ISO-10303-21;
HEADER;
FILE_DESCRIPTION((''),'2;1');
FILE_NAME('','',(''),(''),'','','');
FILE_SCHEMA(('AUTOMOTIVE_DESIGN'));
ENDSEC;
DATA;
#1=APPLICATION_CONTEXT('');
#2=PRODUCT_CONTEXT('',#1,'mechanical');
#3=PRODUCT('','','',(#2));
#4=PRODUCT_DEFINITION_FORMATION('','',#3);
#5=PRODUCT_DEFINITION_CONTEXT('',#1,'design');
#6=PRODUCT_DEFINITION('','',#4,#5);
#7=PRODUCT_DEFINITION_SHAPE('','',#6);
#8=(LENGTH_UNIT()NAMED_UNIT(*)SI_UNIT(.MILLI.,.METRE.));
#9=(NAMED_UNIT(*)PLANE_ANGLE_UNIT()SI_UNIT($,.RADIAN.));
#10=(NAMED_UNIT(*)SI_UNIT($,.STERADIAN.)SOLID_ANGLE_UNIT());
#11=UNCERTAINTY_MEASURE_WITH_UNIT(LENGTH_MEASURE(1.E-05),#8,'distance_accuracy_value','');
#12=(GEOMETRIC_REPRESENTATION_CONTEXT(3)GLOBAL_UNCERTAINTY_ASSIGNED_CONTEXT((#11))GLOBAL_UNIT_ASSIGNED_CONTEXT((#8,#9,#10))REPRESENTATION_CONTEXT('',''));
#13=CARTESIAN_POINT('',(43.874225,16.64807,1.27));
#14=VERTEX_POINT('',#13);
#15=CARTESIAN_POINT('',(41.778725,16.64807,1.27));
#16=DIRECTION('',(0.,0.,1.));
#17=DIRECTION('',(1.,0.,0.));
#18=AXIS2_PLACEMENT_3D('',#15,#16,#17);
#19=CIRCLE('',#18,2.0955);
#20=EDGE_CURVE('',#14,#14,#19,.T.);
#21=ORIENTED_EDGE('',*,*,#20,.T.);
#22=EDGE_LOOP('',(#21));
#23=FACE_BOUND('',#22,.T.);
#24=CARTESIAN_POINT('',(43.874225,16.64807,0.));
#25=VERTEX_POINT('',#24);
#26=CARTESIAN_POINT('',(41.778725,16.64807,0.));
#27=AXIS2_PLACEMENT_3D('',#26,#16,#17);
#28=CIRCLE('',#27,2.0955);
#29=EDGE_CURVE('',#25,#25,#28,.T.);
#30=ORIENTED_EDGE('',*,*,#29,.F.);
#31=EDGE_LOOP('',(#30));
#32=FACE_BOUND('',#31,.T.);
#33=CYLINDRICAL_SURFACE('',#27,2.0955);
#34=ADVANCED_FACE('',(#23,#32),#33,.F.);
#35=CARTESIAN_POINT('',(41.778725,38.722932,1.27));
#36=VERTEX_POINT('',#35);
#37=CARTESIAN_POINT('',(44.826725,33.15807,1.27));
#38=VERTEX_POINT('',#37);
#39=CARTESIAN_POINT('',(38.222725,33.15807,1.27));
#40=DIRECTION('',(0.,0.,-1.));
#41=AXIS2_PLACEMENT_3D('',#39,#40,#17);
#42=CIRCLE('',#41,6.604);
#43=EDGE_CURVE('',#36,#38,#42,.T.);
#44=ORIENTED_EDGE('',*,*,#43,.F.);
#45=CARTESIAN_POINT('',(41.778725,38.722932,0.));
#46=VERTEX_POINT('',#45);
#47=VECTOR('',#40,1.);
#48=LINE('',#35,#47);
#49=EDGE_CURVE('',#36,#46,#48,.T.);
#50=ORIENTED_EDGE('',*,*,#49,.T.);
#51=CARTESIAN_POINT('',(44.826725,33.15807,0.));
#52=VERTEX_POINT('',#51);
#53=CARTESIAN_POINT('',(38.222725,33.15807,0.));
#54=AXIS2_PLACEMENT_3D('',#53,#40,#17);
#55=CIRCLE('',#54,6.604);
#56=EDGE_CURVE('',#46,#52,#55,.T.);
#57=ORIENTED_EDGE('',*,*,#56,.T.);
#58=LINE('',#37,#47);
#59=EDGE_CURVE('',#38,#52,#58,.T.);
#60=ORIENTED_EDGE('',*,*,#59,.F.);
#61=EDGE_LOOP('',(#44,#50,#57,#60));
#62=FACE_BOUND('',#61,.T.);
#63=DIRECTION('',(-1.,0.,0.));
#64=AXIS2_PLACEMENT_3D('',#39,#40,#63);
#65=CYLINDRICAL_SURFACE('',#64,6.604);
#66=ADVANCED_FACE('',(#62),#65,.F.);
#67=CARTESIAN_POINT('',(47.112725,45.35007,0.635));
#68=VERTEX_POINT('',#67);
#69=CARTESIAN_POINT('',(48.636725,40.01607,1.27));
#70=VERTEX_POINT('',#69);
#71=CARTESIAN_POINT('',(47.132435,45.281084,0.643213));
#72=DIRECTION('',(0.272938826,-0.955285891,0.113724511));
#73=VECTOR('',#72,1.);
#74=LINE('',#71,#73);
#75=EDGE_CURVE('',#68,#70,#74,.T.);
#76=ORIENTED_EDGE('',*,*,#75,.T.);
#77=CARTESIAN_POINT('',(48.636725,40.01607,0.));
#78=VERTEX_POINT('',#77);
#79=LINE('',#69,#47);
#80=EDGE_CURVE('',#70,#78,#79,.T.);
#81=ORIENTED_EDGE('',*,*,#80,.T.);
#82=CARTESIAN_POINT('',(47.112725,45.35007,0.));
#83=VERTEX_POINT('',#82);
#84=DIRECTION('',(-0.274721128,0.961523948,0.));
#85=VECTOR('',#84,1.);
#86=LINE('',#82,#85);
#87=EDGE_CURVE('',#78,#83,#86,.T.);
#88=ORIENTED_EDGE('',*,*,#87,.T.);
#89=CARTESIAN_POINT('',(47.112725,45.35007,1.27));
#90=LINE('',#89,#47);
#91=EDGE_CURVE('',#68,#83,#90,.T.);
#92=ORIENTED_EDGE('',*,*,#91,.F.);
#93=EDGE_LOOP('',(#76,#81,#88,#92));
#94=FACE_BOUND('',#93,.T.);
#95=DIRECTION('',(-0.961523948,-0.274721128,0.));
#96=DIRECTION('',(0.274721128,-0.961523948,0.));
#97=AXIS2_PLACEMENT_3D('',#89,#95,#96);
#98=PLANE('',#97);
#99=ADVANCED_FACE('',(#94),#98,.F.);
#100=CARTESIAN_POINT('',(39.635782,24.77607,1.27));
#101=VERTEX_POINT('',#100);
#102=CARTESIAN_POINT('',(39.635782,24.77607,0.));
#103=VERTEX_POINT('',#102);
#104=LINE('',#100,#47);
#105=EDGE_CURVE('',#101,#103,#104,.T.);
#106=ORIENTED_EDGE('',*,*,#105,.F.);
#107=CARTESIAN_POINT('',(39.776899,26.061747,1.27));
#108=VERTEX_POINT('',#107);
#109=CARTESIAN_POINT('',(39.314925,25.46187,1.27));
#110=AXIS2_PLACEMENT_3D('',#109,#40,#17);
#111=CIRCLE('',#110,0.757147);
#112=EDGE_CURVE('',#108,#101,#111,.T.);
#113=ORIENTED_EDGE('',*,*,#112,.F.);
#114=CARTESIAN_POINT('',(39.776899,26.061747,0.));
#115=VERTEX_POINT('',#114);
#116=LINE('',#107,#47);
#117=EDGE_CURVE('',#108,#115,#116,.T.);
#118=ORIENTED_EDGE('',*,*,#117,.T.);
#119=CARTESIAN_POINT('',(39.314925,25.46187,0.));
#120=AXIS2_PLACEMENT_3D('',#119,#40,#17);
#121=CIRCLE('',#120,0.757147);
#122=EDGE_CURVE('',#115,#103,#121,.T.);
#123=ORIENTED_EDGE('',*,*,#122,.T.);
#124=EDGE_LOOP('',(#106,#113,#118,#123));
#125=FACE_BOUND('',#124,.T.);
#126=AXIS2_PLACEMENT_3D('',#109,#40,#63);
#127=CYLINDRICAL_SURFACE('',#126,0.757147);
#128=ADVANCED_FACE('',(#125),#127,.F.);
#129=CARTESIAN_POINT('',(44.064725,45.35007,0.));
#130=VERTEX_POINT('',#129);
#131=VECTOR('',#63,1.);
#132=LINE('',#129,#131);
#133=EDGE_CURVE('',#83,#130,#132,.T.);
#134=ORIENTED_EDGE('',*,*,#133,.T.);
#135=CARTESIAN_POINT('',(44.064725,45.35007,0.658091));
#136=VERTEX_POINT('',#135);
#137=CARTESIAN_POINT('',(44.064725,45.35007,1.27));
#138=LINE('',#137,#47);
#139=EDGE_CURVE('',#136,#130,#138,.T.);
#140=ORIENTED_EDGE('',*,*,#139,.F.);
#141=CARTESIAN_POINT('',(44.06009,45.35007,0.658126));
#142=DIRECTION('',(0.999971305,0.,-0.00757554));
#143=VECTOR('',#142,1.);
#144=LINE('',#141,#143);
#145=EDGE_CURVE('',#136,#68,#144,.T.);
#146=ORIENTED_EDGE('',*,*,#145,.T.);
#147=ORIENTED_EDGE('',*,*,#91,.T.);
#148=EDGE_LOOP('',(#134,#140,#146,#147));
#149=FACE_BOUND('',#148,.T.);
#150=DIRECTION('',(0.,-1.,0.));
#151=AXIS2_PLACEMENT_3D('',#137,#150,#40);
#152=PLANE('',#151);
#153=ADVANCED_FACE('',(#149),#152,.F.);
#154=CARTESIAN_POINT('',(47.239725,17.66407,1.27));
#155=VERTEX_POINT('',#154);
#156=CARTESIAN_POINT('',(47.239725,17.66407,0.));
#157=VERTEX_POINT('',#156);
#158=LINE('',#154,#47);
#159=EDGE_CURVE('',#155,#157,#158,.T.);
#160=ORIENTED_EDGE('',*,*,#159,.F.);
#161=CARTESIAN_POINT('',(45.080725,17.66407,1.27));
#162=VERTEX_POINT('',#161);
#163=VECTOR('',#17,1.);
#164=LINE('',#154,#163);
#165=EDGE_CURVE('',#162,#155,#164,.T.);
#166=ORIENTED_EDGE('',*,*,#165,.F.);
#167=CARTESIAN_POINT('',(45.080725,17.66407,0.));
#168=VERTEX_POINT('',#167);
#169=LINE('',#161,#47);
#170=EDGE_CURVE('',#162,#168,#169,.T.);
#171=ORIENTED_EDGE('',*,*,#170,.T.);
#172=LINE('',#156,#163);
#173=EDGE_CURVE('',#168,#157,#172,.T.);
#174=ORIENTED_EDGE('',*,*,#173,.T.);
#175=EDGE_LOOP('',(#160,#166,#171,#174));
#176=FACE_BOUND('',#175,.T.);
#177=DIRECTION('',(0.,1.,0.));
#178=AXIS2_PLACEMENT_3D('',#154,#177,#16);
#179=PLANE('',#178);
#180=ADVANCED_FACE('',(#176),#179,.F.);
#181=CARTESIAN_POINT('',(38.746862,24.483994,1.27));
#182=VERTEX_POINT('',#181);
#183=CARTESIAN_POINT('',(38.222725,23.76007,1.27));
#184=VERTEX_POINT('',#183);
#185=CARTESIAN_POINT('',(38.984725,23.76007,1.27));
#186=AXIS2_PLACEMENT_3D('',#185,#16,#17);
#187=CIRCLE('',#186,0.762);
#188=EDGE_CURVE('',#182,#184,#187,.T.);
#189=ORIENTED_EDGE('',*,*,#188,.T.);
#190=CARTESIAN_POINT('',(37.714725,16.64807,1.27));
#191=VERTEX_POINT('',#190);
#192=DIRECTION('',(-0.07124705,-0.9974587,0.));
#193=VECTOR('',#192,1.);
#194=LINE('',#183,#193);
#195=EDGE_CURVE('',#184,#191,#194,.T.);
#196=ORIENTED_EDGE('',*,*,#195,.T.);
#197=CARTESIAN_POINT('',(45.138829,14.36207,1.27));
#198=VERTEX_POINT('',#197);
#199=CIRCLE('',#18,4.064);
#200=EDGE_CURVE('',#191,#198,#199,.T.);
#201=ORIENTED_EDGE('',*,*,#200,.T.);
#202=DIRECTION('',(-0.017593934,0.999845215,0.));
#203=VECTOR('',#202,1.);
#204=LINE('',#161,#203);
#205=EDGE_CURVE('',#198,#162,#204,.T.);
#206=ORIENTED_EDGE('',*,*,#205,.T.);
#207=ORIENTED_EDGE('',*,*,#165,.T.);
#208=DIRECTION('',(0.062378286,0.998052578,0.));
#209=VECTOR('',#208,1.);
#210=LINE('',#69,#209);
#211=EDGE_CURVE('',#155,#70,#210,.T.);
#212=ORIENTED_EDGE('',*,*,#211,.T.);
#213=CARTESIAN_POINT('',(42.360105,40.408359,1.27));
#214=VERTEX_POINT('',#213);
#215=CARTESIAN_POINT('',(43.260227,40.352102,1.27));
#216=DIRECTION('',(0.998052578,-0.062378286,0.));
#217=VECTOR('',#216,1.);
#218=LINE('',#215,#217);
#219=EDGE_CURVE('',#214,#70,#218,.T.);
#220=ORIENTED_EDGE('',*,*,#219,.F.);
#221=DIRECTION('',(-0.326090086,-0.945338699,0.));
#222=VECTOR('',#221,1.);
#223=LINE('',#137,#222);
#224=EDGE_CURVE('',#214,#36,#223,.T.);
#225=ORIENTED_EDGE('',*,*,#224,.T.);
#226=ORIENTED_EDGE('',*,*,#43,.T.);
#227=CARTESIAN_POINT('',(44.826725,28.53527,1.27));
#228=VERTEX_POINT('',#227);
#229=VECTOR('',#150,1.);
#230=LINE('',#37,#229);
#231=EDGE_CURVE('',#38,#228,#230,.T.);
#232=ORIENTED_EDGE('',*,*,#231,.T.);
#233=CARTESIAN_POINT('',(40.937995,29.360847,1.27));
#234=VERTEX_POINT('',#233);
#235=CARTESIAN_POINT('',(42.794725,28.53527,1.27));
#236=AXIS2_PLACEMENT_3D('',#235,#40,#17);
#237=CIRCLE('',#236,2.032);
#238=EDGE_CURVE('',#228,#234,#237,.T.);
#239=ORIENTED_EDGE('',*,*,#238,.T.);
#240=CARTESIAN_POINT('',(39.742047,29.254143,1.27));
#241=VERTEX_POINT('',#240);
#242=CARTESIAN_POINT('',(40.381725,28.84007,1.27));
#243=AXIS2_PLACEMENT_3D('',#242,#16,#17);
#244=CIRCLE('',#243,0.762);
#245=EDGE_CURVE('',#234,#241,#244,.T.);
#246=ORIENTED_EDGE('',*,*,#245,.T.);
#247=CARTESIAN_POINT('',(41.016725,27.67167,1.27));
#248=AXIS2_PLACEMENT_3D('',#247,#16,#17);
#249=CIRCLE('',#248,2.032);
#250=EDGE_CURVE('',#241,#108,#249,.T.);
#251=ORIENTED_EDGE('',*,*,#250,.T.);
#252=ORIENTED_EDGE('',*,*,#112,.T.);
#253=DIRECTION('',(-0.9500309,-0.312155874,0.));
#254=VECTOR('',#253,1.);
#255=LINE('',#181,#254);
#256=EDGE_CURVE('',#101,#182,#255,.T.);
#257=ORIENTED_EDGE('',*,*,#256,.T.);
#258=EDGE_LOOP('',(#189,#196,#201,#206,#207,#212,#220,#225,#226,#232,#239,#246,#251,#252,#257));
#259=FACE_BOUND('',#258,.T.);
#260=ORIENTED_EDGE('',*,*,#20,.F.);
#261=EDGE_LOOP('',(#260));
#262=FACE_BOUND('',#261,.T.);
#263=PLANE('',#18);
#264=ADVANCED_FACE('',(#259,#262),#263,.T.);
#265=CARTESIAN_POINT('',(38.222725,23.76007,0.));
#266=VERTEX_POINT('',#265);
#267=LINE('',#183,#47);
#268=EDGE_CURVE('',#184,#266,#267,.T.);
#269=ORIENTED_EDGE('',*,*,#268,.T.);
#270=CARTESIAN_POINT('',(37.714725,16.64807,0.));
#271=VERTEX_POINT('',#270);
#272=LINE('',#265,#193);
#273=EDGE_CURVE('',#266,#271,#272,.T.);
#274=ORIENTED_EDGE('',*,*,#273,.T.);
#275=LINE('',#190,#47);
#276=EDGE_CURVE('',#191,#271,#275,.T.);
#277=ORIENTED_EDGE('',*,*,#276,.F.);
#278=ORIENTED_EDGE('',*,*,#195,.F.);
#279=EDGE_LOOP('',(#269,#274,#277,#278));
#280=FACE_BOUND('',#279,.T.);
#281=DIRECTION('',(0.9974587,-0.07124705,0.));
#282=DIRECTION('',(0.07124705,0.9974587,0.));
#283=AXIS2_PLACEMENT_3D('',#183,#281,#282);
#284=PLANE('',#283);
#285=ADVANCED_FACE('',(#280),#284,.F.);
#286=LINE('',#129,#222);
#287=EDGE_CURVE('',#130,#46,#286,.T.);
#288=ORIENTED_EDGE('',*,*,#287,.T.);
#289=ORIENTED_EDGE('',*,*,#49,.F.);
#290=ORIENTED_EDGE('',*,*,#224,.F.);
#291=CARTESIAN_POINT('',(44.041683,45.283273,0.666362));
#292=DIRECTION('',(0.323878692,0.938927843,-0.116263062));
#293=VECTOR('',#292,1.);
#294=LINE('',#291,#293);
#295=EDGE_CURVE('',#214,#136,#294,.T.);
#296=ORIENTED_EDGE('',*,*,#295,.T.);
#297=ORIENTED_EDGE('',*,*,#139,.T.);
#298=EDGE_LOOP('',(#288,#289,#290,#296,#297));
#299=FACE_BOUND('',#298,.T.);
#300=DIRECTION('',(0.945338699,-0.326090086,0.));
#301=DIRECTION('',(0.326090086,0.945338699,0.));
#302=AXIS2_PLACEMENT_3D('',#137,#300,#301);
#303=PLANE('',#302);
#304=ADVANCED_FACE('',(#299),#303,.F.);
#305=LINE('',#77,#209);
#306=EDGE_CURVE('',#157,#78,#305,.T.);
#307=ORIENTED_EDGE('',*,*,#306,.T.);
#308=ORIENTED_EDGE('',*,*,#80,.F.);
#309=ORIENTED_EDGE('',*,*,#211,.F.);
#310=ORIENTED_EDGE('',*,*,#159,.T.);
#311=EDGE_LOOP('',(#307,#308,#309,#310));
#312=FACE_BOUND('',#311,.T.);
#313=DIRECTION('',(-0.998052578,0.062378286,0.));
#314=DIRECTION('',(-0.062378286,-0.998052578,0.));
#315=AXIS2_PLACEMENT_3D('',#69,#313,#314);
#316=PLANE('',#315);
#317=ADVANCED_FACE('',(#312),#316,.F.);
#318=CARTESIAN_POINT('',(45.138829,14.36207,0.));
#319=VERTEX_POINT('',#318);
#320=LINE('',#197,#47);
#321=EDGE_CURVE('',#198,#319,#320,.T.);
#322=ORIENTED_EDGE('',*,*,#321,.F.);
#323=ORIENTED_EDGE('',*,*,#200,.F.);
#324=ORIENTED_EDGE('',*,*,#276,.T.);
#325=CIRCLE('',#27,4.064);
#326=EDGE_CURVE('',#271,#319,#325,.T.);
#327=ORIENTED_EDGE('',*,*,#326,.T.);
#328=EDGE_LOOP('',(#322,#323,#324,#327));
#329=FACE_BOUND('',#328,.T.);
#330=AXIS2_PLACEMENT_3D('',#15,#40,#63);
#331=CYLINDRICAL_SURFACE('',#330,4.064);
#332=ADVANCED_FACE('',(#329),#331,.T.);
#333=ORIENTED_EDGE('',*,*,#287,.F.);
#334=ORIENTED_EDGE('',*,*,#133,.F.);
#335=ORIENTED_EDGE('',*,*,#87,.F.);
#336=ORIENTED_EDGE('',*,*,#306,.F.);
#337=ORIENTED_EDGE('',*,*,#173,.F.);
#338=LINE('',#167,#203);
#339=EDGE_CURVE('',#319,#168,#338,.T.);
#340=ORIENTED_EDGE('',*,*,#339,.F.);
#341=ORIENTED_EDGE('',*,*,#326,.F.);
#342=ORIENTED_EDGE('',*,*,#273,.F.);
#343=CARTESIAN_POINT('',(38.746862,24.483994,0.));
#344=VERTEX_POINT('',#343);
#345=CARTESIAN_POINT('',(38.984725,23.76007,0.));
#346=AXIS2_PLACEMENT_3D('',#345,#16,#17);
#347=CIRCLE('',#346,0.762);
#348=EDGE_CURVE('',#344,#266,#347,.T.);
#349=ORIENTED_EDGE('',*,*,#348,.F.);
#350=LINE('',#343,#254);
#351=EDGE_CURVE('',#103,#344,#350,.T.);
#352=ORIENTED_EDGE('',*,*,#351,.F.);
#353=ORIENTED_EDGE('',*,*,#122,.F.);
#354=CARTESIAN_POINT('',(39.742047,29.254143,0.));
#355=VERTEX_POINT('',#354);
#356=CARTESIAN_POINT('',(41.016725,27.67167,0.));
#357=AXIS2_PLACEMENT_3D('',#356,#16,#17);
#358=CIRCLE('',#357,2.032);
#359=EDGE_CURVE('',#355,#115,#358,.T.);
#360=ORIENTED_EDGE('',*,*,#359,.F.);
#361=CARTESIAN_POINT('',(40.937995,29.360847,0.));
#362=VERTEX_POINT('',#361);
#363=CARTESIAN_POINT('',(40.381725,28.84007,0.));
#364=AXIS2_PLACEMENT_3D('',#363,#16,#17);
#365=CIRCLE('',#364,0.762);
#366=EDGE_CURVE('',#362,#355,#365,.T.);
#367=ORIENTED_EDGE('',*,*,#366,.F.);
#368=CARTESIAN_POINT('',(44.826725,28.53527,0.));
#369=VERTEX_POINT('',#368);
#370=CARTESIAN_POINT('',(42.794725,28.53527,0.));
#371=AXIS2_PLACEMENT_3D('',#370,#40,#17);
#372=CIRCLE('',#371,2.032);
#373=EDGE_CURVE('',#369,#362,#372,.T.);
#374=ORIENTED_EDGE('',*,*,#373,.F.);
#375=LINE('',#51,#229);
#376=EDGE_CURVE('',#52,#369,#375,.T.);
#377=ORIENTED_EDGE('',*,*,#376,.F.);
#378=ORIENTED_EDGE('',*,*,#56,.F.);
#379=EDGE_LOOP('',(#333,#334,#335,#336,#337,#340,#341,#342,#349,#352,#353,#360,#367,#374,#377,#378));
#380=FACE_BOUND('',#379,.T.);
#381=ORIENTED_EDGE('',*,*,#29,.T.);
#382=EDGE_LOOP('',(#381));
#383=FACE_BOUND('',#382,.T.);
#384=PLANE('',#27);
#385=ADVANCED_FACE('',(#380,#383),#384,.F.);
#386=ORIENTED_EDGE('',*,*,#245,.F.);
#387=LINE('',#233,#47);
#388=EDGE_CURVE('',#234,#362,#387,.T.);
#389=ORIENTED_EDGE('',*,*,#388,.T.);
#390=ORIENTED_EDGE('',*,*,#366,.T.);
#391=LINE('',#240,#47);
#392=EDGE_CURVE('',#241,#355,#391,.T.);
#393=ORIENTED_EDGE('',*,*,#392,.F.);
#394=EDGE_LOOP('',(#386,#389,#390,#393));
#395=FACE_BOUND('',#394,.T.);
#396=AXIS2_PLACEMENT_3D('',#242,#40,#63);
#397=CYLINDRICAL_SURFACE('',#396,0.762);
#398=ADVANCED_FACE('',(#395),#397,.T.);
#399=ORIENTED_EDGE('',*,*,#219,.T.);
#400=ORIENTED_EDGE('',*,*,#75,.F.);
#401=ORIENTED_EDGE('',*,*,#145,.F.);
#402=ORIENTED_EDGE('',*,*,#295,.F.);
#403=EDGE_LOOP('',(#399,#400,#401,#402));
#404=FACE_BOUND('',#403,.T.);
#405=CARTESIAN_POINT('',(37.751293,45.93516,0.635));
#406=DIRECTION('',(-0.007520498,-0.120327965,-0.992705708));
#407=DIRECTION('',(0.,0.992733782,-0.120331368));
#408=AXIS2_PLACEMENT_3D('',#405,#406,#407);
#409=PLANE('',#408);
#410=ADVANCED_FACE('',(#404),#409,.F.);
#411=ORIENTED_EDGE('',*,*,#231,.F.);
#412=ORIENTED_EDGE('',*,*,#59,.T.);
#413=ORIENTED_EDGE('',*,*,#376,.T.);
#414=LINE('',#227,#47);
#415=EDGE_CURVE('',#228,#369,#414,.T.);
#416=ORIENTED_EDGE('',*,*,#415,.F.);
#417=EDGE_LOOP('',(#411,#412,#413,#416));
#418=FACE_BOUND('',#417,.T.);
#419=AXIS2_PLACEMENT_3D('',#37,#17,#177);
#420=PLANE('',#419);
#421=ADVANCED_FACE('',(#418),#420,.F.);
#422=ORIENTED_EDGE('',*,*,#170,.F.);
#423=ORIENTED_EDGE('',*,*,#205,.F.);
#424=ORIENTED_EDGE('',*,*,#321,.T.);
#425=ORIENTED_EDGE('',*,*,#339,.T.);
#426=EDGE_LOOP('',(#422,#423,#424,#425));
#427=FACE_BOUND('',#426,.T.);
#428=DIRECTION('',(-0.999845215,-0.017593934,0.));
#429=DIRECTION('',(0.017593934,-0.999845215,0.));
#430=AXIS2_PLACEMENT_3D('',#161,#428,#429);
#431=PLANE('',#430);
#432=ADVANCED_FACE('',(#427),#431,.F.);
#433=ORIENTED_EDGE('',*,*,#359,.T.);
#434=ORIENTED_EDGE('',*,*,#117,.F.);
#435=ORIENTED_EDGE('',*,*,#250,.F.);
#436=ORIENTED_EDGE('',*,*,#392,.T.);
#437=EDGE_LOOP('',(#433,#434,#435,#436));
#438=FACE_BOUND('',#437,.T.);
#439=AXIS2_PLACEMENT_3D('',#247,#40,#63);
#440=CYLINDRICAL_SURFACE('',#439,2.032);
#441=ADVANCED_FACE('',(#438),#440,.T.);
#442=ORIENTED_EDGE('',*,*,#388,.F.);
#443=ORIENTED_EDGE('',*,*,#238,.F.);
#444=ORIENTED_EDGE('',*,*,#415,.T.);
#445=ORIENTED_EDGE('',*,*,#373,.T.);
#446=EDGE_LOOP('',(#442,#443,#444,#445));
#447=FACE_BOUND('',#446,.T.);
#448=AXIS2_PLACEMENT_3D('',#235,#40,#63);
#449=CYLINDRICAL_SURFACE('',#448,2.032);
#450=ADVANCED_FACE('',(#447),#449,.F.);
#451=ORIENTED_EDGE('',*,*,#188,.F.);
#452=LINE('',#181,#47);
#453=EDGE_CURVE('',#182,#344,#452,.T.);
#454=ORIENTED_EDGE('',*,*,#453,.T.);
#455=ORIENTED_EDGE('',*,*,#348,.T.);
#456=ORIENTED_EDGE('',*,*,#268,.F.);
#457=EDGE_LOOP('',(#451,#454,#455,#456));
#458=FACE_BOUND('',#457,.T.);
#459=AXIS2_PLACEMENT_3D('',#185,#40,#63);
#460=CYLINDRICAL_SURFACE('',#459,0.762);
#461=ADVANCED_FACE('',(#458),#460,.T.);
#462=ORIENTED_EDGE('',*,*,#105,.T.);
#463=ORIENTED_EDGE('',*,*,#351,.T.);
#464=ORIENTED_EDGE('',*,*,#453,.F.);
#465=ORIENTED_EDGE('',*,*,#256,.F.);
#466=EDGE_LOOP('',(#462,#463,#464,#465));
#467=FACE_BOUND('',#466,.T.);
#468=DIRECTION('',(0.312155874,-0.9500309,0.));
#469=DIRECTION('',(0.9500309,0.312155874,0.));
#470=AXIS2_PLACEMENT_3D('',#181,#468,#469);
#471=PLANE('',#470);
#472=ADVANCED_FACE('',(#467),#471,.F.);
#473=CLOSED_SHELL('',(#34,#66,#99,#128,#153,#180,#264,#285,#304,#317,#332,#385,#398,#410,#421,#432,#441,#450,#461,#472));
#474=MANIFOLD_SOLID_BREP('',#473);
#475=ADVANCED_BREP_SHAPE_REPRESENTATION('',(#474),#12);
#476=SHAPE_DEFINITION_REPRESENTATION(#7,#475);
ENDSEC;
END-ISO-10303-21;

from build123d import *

# Parameters (mm, degrees)
BOSS_EXTRUDE1_DEPTH = 1.27
SKETCH2_R           = 2.0955
CUT_EXTRUDE1_DEPTH  = 2.27
CUT_EXTRUDE2_DEPTH  = 12.233456041


with BuildPart() as part:
    # Sketch1 → Boss-Extrude1 (new body)
    with BuildSketch(Plane.XY):
        with BuildLine():
            Line((48.63672497, 40.016070461), (47.23972497, 17.664070461))
            Line((47.23972497, 17.664070461), (45.08072497, 17.664070461))
            Line((45.08072497, 17.664070461), (45.138829135, 14.362070461))
            ThreePointArc((45.138829135, 14.362070461), (40.582766636, 12.764028795), (37.71472497, 16.648070461))
            Line((37.71472497, 16.648070461), (38.22272497, 23.760070461))
            ThreePointArc((38.22272497, 23.760070461), (38.367515348, 24.206944361), (38.746862194, 24.483994006))
            Line((38.746862194, 24.483994006), (39.635782378, 24.776070461))
            ThreePointArc((39.635782378, 24.776070461), (40.067551667, 25.379261916), (39.776898608, 26.061746677))
            ThreePointArc((39.776898608, 26.061746677), (38.984846047, 27.649488476), (39.74204727, 29.25414345))
            ThreePointArc((39.74204727, 29.25414345), (40.314007684, 29.599055552), (40.937994623, 29.360846875))
            ThreePointArc((40.937994623, 29.360846875), (42.372736858, 26.547570777), (44.82672497, 28.535270461))
            Line((44.82672497, 28.535270461), (44.82672497, 33.158070461))
            ThreePointArc((44.82672497, 33.158070461), (44.01481613, 36.330529444), (41.77872497, 38.722931645))
            Line((41.77872497, 38.722931645), (44.06472497, 45.350070461))
            Line((44.06472497, 45.350070461), (47.11272497, 45.350070461))
            Line((47.11272497, 45.350070461), (48.63672497, 40.016070461))
        make_face()
    extrude(amount=BOSS_EXTRUDE1_DEPTH)

    # Sketch2 → Cut-Extrude1 (cut, through all)
    with BuildSketch(Plane.XY.offset(1.27)):
        with Locations((41.77872497, 16.648070461)):
            Circle(SKETCH2_R)
    extrude(amount=-CUT_EXTRUDE1_DEPTH, mode=Mode.SUBTRACT)

    # Sketch3 → Cut-Extrude2 (cut, through all)
    with BuildSketch(Plane(origin=(45.956204144, -2.872262759, 0), x_dir=(0, 0, -1), z_dir=(0.998052578, -0.062378286, 0))):
        Polygon((-0.635, 48.200565798), (-1.27, 42.972017852), (-1.27, 48.200565798), align=None)
    extrude(amount=-CUT_EXTRUDE2_DEPTH, mode=Mode.SUBTRACT)


solid = part.part
